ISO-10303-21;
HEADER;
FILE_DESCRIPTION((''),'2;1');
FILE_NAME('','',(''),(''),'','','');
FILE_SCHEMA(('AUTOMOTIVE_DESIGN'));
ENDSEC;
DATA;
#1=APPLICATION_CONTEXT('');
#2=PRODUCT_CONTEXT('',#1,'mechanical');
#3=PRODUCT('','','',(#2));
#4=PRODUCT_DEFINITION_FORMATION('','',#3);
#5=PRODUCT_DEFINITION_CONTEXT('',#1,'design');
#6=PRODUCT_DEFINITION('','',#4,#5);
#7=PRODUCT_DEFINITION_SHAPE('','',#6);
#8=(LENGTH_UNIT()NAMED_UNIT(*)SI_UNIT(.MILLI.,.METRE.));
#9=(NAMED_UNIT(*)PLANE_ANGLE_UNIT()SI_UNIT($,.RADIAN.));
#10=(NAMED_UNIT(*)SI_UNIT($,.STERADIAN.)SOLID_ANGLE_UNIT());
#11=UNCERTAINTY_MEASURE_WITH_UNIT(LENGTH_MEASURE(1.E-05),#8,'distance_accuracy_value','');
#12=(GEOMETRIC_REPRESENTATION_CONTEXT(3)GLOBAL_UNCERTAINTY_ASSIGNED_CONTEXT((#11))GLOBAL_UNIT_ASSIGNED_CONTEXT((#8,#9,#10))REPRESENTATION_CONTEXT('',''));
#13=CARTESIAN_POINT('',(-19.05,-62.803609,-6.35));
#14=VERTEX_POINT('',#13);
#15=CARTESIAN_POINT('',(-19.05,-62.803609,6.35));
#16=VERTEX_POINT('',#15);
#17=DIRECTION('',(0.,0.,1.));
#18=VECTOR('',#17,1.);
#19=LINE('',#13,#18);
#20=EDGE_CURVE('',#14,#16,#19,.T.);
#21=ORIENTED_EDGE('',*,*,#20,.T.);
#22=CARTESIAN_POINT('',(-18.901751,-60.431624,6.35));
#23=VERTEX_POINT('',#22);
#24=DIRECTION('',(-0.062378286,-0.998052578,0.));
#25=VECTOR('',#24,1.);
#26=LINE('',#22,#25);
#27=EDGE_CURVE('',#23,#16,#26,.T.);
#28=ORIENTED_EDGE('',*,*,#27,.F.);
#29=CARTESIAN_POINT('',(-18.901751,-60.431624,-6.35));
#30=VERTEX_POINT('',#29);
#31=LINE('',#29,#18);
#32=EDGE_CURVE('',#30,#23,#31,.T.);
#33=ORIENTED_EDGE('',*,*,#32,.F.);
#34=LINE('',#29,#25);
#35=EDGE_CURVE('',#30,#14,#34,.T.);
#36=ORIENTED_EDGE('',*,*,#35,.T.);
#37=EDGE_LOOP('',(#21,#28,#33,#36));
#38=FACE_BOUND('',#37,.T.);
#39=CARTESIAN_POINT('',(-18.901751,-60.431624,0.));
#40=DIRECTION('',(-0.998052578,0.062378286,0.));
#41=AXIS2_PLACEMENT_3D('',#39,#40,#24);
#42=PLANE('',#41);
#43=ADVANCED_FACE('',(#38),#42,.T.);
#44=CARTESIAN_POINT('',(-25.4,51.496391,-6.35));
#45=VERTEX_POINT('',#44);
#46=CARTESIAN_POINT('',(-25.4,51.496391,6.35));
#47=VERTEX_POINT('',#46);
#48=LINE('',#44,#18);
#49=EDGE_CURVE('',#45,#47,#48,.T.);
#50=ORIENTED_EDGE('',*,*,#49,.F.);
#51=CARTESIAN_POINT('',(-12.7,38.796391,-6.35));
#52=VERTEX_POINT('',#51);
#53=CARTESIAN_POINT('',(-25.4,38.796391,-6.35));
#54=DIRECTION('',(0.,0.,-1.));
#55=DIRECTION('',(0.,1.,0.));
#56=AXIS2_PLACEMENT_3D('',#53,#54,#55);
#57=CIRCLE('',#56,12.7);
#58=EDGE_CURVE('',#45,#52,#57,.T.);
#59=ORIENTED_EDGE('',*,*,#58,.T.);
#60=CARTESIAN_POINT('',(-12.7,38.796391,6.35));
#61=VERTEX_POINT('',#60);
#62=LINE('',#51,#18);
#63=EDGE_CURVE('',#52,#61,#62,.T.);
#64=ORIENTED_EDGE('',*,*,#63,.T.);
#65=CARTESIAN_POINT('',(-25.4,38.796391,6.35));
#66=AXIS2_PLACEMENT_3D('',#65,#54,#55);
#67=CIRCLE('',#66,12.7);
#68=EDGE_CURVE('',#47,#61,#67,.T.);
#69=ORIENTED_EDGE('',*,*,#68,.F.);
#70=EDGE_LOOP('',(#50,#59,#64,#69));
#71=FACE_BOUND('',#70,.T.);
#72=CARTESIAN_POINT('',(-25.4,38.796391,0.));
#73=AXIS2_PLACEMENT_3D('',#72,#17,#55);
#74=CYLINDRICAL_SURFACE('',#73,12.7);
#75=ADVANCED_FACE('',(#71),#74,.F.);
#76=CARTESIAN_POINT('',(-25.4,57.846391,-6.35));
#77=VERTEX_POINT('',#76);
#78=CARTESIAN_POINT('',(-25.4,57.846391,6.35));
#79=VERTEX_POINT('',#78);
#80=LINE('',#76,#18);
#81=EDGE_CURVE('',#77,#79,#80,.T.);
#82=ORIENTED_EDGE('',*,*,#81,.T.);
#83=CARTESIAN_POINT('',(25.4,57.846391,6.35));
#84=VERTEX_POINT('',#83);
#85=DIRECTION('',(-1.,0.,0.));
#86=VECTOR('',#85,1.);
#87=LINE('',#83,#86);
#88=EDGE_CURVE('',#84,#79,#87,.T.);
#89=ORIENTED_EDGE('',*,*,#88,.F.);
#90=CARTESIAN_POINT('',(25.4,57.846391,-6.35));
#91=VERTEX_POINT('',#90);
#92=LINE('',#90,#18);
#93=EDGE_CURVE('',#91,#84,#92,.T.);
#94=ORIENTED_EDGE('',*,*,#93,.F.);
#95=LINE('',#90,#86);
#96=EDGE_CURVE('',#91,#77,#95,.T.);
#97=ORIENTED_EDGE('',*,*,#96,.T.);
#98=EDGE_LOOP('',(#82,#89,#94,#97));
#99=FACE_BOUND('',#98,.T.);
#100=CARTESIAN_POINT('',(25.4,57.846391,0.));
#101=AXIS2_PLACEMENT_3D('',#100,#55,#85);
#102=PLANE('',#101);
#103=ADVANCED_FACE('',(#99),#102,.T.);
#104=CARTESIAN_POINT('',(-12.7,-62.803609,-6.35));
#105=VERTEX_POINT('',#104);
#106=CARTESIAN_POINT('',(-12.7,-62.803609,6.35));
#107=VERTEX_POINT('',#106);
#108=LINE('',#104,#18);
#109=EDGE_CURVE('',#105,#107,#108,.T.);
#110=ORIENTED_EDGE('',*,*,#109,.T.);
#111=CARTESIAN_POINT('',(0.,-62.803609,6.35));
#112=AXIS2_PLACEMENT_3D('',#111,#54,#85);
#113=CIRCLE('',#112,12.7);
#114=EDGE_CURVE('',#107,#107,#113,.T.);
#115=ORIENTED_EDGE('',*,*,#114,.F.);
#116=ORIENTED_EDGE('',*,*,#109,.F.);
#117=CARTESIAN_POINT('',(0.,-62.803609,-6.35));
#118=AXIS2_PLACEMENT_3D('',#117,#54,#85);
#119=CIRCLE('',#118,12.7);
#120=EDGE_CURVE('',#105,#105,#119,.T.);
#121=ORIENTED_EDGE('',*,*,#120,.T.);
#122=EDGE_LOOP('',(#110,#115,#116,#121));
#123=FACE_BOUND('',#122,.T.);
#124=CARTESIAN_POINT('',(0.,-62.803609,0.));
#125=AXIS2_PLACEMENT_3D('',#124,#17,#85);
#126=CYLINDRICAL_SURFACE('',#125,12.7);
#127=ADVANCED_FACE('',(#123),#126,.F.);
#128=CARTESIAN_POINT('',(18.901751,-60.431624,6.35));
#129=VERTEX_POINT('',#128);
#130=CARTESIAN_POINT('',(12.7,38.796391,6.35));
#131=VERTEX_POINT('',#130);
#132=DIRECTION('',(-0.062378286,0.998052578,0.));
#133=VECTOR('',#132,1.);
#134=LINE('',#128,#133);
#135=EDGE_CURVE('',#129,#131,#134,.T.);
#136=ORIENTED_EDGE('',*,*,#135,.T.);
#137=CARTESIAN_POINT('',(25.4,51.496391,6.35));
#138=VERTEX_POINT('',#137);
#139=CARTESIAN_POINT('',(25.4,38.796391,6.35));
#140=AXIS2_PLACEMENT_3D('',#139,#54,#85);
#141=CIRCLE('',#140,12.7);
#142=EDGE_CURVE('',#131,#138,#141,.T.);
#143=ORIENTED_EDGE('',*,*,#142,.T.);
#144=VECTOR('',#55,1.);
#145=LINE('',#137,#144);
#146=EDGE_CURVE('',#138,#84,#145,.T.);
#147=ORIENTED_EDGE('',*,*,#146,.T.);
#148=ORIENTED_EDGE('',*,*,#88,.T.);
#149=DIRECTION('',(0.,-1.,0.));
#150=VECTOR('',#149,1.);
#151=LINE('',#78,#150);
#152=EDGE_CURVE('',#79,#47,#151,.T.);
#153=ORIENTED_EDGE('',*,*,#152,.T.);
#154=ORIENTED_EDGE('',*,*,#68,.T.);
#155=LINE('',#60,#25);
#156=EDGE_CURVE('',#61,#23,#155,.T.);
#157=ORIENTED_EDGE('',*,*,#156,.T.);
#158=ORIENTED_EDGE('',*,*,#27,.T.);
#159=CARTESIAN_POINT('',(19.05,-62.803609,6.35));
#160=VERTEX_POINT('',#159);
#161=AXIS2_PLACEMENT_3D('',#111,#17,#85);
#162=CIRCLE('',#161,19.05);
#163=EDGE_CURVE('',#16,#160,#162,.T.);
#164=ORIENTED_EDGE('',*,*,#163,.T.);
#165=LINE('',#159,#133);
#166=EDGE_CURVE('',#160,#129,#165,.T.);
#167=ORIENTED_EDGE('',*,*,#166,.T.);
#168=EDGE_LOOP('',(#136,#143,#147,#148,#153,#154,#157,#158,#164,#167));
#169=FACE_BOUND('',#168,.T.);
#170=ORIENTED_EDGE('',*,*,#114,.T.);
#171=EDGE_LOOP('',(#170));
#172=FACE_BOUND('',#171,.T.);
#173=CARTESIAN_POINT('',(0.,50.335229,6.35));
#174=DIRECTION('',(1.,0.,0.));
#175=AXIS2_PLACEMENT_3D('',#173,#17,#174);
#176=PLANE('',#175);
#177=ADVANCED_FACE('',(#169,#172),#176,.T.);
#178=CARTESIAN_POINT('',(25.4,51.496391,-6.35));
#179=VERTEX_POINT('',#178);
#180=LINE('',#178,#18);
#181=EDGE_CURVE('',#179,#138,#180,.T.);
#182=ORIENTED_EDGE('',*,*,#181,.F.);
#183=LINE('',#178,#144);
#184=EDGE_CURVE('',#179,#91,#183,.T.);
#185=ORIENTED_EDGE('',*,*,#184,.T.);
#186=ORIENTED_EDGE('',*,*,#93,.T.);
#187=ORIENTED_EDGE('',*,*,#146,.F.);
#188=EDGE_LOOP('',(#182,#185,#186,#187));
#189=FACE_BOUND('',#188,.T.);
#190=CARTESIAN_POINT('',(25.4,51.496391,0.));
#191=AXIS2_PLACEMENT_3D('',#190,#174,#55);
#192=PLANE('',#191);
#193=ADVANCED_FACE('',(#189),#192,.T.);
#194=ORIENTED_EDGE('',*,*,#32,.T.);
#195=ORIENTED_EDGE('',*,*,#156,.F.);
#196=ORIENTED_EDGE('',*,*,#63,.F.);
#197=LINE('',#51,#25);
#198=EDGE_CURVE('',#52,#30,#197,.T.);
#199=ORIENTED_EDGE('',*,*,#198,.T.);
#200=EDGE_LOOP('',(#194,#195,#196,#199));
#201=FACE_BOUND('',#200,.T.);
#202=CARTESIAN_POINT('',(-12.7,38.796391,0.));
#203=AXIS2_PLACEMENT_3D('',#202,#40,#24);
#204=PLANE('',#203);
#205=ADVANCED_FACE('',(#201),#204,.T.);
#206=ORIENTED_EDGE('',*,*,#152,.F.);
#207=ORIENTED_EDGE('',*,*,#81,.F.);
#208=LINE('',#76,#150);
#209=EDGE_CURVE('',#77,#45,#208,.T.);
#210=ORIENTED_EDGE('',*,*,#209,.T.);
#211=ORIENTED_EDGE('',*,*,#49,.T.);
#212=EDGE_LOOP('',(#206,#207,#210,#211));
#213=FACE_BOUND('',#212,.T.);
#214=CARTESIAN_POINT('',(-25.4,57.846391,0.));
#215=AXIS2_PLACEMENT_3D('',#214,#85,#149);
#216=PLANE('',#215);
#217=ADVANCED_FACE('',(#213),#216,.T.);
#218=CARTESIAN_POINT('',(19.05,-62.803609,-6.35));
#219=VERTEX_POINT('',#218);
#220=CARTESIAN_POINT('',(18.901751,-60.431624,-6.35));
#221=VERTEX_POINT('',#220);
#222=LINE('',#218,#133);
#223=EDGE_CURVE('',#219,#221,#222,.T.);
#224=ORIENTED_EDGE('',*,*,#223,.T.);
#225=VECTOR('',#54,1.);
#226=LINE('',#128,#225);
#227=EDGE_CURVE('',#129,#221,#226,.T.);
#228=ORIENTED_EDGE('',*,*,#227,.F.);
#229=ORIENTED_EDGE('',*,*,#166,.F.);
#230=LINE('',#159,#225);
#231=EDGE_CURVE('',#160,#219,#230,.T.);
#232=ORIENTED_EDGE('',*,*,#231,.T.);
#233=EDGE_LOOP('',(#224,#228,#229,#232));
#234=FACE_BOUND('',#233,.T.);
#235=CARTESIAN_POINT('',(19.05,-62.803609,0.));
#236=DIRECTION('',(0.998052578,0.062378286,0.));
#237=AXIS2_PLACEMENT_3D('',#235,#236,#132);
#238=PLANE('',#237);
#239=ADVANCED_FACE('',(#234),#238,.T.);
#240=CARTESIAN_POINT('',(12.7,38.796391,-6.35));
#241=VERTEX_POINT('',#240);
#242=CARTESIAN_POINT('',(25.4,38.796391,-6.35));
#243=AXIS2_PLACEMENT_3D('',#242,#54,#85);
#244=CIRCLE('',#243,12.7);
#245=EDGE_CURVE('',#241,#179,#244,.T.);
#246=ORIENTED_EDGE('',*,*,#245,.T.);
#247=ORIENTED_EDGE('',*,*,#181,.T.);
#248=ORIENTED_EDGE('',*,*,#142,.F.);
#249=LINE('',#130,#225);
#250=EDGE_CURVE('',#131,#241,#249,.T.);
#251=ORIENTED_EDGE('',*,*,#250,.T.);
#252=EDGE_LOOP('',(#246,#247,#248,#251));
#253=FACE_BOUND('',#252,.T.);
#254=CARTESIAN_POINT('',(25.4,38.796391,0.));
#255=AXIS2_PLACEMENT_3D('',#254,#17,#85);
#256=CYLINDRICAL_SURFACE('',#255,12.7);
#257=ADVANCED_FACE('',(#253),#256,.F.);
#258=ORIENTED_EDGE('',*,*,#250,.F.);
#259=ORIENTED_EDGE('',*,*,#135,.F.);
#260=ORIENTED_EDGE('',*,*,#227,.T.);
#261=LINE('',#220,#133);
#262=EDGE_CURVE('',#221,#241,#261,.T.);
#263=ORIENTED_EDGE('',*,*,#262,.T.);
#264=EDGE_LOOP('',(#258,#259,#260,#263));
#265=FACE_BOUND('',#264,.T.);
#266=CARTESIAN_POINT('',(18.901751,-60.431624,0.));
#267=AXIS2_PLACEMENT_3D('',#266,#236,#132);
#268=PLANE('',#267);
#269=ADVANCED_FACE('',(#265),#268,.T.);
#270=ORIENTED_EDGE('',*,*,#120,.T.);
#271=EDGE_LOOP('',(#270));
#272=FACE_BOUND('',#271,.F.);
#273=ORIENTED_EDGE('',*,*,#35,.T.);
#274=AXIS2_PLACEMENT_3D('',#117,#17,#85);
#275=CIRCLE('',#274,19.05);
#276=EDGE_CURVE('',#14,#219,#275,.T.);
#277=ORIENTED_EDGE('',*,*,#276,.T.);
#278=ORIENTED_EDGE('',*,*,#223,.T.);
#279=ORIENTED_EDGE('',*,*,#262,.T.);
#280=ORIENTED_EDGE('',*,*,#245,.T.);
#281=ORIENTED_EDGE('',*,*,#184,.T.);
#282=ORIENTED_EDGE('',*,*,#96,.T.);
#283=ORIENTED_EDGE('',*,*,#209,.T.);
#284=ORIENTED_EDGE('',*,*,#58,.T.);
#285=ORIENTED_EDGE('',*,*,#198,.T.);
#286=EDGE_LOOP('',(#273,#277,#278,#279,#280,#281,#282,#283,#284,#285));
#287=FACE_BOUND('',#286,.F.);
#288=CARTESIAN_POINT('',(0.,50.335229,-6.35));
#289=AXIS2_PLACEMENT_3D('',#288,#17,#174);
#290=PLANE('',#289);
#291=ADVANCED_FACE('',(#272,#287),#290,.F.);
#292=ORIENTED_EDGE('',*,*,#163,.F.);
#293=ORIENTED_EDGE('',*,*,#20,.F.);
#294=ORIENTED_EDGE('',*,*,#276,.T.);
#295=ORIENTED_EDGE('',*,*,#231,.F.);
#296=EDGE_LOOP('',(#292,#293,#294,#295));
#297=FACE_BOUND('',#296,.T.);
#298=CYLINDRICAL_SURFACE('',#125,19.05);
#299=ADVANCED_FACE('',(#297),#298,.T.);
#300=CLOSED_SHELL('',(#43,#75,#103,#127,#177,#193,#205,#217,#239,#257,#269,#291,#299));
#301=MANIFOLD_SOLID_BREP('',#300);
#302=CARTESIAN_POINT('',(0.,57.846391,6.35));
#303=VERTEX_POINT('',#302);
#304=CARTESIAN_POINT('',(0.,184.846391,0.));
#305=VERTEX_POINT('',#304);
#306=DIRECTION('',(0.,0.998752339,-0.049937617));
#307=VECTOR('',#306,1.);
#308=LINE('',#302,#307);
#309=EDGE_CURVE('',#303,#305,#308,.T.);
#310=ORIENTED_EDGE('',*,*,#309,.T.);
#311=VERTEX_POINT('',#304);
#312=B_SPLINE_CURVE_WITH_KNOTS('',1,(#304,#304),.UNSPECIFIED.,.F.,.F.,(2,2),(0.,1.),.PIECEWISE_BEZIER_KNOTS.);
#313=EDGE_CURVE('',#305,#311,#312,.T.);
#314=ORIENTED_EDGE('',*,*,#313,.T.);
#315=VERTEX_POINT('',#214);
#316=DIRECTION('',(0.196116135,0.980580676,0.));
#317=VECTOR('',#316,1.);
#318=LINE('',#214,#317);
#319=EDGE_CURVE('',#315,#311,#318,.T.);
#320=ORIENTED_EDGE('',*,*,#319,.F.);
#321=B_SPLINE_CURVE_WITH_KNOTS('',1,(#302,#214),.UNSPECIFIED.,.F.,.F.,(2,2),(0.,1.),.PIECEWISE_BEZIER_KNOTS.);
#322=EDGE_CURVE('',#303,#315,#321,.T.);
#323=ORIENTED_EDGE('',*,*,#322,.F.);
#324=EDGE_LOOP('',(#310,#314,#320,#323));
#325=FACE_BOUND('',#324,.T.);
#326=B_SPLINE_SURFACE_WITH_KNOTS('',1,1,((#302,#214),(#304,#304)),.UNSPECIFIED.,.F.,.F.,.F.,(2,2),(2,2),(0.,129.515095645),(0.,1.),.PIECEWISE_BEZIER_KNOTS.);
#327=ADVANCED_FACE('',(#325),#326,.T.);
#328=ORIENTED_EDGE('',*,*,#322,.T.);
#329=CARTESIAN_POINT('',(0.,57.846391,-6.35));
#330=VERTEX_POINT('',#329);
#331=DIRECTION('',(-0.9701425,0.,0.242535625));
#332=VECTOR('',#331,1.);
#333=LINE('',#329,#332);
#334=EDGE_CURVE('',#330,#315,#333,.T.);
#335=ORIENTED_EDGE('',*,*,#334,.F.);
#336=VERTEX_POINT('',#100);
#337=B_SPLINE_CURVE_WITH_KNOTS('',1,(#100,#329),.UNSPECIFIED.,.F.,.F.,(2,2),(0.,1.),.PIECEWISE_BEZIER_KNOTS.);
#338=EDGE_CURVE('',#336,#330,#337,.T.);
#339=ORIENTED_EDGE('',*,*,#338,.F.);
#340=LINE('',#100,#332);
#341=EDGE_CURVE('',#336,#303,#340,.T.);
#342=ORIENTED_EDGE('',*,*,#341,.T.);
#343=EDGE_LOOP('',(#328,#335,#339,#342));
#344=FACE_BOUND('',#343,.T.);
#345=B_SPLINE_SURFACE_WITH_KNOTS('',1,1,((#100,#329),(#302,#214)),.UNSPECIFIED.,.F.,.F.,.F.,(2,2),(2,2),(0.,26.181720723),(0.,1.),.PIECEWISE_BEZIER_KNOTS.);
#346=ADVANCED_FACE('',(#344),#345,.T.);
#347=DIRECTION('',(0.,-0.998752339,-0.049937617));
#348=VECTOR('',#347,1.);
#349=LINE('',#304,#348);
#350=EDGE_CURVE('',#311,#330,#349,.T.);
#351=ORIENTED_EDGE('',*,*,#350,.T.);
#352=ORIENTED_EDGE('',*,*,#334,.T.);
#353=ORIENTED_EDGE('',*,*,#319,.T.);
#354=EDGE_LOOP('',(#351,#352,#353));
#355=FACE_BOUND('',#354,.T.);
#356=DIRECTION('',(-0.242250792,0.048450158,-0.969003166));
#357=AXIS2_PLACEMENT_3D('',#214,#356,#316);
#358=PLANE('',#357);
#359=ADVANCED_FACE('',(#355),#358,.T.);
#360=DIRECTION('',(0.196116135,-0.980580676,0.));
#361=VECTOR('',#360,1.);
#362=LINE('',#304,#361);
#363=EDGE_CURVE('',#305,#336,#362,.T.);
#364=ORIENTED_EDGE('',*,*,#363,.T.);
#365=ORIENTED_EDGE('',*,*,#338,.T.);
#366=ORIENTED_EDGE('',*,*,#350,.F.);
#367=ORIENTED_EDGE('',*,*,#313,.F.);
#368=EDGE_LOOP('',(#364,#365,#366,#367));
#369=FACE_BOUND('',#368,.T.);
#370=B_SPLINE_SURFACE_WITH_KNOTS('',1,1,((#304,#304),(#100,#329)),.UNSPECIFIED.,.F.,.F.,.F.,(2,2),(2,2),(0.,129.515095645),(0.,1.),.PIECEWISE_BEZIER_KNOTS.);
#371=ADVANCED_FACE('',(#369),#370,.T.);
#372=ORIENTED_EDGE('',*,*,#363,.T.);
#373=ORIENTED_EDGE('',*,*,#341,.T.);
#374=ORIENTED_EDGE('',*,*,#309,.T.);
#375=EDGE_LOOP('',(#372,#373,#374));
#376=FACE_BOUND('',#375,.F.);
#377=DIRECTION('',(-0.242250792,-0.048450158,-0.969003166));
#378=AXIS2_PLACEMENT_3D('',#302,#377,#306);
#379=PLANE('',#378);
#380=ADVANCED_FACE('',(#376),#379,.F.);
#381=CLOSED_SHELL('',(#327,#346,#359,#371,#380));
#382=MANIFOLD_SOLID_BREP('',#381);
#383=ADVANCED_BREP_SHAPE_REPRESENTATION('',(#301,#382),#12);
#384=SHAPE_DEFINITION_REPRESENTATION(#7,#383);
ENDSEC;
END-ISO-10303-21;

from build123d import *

# Parameters (mm, degrees)
F1_DEPTH = 6.35


with BuildPart() as f1:
    # F0 (on Top) → F1 (new body, symmetric)
    with BuildSketch(Plane.XY):
        with BuildLine():
            Line((-12.7, 38.7963913381), (12.7, 38.7963913381))
            ThreePointArc((12.7, 38.7963913381), (16.4197438789, 47.7766474592), (25.4, 51.4963913381))
            Line((25.4, 51.4963913381), (25.4, 57.8463913381))
            Line((25.4, 57.8463913381), (0, 57.8463913381))
            Line((0, 57.8463913381), (-25.4, 57.8463913381))
            Line((-25.4, 57.8463913381), (-25.4, 51.4963913381))
            ThreePointArc((-25.4, 51.4963913381), (-16.4197438789, 47.7766474592), (-12.7, 38.7963913381))
        make_face()
        with BuildLine():
            ThreePointArc((-12.7, -48.6045770048), (0, -43.7536086619), (12.7, -48.6045770048))
            Line((12.7, -48.6045770048), (12.7, 38.7963913381))
            Line((12.7, 38.7963913381), (-12.7, 38.7963913381))
            Line((-12.7, 38.7963913381), (-12.7, -48.6045770048))
        make_face()
        with BuildLine():
            ThreePointArc((-18.9017509728, -60.4316242261), (-16.8712011318, -53.9568537557), (-12.7, -48.6045770048))
            Line((-12.7, -48.6045770048), (-12.7, 38.7963913381))
            Line((-12.7, 38.7963913381), (-18.9017509728, -60.4316242261))
        make_face()
        with BuildLine():
            Line((12.7, 38.7963913381), (12.7, -48.6045770048))
            ThreePointArc((12.7, -48.6045770048), (16.8712011318, -53.9568537557), (18.9017509728, -60.4316242261))
            Line((18.9017509728, -60.4316242261), (12.7, 38.7963913381))
        make_face()
        with BuildLine():
            Line((12.7, -48.6045770048), (12.7, -62.8036086619))
            ThreePointArc((12.7, -62.8036086619), (0, -75.5036086619), (-12.7, -62.8036086619))
            Line((-12.7, -62.8036086619), (-12.7, -48.6045770048))
            ThreePointArc((-12.7, -48.6045770048), (-16.8712011318, -53.9568537557), (-18.9017509728, -60.4316242261))
            Line((-18.9017509728, -60.4316242261), (-19.05, -62.8036086619))
            ThreePointArc((-19.05, -62.8036086619), (0, -81.8536086619), (19.05, -62.8036086619))
            Line((19.05, -62.8036086619), (18.9017509728, -60.4316242261))
            ThreePointArc((18.9017509728, -60.4316242261), (16.8712011318, -53.9568537557), (12.7, -48.6045770048))
        make_face()
        with BuildLine():
            ThreePointArc((-12.7, -62.8036086619), (0, -50.1036086619), (12.7, -62.8036086619))
            Line((12.7, -62.8036086619), (12.7, -48.6045770048))
            ThreePointArc((12.7, -48.6045770048), (0, -43.7536086619), (-12.7, -48.6045770048))
            Line((-12.7, -48.6045770048), (-12.7, -62.8036086619))
        make_face()
    extrude(amount=F1_DEPTH, both=True)


with BuildPart() as f13:
    # F6 (on 3pt) → F13 section 0
    with BuildSketch(Plane(origin=(2.1695585838, 0.4339117168, 8.6782343351), x_dir=(0.9702136641, -0.0120974272, -0.2419485447), z_dir=(-0.2422507916, -0.0484501583, -0.9690031662))):
        Polygon((-2.2361657685, -57.457114777), (-2.2361657685, -184.6157656821), (23.943634558, -57.7742186446), align=None)
    # F12 (on 3pt) → F13 section 1
    with BuildSketch(Plane(origin=(-2.1695585838, 0.4339117168, -8.6782343351), x_dir=(0.9702136641, 0.0120974272, -0.2419485447), z_dir=(-0.2422507916, 0.0484501583, -0.9690031662))):
        Polygon((2.2361657685, -184.6157656821), (2.2361657685, -57.457114777), (-23.943634558, -57.7742186446), align=None)
    loft()


solid = Compound([f1.part, f13.part])
